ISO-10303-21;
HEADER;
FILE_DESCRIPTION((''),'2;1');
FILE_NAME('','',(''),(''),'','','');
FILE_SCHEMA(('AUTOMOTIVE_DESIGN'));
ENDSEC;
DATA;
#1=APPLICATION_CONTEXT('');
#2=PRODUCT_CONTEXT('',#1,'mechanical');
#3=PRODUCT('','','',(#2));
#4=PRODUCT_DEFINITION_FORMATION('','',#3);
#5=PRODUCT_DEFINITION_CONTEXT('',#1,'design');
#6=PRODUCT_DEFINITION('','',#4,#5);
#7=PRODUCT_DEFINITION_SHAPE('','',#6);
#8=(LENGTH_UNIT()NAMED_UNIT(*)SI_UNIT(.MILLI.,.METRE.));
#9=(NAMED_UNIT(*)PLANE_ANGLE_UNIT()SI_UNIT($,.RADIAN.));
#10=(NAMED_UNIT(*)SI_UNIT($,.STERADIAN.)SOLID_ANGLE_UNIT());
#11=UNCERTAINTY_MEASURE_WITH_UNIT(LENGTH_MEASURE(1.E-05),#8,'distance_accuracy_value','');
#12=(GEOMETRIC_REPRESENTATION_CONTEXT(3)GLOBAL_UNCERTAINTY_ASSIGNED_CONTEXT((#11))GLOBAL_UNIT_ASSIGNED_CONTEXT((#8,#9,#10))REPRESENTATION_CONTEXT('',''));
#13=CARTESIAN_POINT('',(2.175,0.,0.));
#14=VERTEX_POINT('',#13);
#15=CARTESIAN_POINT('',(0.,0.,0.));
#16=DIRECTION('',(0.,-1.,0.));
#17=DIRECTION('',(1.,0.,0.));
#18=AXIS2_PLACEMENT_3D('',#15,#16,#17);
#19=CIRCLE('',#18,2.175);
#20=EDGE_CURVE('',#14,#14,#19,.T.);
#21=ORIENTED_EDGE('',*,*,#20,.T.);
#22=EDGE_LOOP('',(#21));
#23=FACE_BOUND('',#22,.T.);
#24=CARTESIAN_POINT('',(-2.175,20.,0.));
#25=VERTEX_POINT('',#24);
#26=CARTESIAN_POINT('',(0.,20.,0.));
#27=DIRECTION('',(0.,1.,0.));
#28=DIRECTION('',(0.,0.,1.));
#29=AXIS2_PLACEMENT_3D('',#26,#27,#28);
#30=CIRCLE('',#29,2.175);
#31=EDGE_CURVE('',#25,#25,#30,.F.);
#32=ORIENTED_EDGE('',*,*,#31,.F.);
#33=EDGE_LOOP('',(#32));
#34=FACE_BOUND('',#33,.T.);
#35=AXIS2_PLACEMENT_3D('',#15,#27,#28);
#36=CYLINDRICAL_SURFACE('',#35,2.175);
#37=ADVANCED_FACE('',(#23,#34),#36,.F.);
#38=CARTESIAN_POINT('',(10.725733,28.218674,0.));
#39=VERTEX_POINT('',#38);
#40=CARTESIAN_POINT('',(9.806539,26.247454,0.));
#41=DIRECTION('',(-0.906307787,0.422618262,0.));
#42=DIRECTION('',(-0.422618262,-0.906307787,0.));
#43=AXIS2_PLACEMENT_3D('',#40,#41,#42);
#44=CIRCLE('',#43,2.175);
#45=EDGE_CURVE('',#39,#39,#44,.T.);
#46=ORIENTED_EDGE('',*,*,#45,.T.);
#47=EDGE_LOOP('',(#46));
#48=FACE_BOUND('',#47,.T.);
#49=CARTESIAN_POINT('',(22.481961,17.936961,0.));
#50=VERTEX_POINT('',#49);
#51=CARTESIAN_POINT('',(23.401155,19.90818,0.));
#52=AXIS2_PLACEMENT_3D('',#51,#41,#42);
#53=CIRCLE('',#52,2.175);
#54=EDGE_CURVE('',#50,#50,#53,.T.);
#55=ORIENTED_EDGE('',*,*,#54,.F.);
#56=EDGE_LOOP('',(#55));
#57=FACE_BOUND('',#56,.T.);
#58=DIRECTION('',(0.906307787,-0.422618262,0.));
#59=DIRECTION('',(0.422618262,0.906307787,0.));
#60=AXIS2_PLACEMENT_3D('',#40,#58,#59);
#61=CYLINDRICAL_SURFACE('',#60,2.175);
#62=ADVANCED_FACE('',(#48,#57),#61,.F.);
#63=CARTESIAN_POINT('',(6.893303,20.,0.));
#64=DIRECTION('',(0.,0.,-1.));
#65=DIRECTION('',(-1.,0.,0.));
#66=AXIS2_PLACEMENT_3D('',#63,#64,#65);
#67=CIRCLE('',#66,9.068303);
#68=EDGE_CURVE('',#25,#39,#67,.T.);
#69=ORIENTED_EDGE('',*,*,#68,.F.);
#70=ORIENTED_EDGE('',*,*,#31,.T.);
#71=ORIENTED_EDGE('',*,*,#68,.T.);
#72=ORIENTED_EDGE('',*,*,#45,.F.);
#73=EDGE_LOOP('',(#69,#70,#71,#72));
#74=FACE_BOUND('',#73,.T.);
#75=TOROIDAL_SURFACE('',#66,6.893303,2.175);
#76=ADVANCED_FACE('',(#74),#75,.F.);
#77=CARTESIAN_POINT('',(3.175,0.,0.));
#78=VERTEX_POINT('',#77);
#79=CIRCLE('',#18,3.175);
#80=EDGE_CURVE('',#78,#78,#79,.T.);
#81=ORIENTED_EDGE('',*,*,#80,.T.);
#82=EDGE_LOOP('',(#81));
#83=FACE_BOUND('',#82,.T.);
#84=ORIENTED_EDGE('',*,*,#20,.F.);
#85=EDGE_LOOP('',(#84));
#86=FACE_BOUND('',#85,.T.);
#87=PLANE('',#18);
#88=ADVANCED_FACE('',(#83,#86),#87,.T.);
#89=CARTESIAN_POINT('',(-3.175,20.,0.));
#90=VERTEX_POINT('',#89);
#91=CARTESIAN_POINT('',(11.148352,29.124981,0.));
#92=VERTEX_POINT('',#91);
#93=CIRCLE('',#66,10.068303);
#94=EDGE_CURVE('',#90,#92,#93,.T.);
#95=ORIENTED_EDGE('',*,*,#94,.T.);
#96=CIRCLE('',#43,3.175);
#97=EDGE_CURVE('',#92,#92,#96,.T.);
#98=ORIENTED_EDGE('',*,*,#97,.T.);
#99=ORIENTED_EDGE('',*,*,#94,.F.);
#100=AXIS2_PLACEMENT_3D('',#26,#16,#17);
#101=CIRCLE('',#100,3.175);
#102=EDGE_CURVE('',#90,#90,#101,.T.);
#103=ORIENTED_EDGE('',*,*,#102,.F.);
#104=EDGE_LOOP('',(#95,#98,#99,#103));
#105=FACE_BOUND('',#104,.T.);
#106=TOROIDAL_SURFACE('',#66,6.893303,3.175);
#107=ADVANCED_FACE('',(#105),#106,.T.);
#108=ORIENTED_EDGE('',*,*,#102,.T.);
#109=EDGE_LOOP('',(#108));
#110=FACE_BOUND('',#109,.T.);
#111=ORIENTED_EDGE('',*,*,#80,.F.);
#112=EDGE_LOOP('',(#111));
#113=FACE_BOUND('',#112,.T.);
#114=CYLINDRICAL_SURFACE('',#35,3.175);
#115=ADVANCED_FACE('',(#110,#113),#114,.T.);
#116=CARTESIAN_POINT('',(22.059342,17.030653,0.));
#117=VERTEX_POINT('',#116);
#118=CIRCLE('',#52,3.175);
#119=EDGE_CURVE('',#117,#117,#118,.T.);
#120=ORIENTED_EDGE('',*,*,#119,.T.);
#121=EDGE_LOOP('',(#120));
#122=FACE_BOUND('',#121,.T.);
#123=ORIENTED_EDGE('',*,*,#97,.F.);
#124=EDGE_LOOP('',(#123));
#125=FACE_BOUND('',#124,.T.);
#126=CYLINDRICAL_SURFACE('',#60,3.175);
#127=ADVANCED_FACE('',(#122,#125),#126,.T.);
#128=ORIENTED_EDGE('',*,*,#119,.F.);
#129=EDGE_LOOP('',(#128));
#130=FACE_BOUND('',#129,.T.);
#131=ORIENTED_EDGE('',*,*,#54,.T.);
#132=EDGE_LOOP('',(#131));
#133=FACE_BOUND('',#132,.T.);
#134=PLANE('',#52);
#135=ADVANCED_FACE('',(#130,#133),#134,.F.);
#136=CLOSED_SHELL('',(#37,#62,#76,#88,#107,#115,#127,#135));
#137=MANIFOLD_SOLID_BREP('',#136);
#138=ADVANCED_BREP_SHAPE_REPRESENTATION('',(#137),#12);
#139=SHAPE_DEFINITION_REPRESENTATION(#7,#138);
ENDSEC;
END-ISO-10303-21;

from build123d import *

# Parameters (mm, degrees)
SWEEP_SOTTILE1_PROFILE_R   = 3.175
SWEEP_SOTTILE1_PROFILE_R_2 = 2.175


with BuildPart() as part:
    # Sweep-Sottile1: sweep along a path in Schizzo1
    with BuildLine(Plane.XY) as sweep_sottile1_path:
        Line((0, 0), (0, 20))
        ThreePointArc((0, 20), (3.189533949, 25.813752694), (9.80653858, 26.247454091))
        Line((9.80653858, 26.247454091), (23.401155386, 19.908180165))
    # Sweep-Sottile1 profile (on start of the path) → Sweep-Sottile1 (sweep)
    with BuildSketch(Plane.ZX):
        Circle(SWEEP_SOTTILE1_PROFILE_R)
        Circle(SWEEP_SOTTILE1_PROFILE_R_2, mode=Mode.SUBTRACT)
    sweep(path=sweep_sottile1_path.line)


solid = part.part
